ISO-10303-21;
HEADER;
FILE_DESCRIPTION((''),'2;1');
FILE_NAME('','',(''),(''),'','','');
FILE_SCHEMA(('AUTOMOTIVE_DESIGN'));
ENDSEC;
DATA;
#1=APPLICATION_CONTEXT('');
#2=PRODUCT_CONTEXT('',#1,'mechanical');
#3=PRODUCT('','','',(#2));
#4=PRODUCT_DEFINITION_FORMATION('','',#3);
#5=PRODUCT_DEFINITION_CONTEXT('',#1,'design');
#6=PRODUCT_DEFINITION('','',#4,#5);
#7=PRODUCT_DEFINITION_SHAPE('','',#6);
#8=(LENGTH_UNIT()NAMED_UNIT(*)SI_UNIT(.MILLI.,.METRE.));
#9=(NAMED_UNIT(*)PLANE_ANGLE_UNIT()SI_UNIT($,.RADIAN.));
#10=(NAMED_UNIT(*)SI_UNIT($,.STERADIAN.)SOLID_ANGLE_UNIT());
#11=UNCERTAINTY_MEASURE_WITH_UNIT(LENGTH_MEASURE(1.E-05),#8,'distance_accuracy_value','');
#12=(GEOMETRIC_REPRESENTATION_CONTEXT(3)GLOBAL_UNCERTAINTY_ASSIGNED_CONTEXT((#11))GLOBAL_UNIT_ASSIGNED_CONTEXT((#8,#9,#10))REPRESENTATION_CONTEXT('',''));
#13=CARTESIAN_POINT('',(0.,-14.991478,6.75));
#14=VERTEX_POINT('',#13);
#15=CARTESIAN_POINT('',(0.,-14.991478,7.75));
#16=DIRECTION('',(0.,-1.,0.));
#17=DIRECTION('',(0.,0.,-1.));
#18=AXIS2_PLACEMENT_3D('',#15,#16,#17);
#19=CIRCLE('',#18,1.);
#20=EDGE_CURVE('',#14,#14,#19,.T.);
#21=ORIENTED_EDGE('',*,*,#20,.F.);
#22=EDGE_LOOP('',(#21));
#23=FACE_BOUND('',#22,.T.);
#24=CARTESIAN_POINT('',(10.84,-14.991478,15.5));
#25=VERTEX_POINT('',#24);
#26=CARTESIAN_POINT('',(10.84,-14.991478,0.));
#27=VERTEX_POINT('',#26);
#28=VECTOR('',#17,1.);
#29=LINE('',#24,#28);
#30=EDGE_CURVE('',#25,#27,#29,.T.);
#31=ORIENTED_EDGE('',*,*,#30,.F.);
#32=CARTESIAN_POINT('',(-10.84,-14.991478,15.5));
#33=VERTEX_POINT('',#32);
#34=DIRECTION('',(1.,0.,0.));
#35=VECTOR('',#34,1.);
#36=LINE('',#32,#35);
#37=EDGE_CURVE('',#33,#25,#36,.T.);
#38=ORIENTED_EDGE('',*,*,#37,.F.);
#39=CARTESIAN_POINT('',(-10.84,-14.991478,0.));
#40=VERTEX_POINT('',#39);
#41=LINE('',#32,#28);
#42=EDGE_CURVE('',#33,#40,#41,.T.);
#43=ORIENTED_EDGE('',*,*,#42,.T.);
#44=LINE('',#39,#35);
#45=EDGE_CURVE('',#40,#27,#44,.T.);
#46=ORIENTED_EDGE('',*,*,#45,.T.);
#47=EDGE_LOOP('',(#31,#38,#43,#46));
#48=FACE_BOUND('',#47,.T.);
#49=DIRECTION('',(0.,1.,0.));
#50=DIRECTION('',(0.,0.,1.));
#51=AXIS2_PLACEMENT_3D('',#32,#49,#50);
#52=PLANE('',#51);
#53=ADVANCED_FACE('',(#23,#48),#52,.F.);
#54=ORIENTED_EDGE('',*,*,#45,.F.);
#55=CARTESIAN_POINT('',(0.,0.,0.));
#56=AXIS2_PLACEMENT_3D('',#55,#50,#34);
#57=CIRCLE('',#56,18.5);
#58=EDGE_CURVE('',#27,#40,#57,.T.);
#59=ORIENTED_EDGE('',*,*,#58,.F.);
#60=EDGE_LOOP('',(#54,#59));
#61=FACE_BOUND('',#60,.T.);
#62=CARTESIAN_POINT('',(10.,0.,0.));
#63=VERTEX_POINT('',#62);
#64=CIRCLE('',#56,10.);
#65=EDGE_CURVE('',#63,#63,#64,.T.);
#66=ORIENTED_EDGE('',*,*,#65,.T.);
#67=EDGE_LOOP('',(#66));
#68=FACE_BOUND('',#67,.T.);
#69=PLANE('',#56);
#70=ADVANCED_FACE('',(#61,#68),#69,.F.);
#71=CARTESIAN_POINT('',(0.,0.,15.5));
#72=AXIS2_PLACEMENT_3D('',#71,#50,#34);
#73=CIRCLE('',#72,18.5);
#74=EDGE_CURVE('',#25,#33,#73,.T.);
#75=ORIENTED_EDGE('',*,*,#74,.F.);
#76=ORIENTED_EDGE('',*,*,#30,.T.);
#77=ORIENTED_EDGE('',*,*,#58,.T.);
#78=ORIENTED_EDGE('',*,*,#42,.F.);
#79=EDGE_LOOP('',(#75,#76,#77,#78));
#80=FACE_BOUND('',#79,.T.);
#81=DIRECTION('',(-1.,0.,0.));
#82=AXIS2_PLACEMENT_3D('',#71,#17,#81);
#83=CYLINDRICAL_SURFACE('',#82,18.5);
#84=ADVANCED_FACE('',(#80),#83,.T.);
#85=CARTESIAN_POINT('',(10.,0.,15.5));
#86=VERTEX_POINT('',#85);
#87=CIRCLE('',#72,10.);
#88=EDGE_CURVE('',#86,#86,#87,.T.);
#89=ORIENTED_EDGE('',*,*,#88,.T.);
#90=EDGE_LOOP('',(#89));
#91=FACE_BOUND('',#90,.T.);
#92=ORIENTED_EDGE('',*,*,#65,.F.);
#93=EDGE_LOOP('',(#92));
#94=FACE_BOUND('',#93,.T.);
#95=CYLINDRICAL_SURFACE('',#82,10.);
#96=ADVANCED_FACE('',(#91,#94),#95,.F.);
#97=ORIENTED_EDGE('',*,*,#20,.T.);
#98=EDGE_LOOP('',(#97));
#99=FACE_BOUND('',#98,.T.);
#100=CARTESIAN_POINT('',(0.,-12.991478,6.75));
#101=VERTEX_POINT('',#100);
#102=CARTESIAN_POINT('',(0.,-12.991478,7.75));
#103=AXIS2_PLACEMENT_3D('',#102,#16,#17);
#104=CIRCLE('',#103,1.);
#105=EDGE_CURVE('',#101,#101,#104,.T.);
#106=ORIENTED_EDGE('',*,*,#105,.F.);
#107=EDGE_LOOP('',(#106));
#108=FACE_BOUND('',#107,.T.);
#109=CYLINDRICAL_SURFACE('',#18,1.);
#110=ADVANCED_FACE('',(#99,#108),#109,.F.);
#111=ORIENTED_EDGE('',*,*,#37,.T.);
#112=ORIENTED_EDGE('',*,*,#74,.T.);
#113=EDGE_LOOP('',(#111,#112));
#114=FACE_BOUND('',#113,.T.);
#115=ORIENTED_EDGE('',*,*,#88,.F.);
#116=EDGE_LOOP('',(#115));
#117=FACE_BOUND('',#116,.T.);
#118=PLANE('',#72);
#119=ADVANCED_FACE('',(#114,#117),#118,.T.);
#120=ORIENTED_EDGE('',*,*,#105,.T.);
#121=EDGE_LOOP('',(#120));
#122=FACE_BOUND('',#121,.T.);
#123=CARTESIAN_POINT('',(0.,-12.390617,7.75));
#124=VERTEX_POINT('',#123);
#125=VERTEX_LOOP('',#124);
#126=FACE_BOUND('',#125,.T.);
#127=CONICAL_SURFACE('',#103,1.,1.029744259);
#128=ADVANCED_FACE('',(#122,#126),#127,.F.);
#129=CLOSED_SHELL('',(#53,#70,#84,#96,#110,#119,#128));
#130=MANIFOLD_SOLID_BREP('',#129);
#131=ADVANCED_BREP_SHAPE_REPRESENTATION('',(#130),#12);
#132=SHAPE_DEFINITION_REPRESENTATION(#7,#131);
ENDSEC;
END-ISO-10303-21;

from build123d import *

# Parameters (mm, degrees)
SKETCH1_R                    = 10
BOSS_EXTRUDE1_DEPTH          = 15.5
F_2_0_2_DIAMETER_HOLE1_D     = 2
F_2_0_2_DIAMETER_HOLE1_DEPTH = 2
F_2_0_2_DIAMETER_HOLE1_TIP   = 0.600860619


with BuildPart() as part:
    # Sketch1 → Boss-Extrude1 (new body)
    with BuildSketch(Plane.XY):
        with BuildLine():
            Line((-10.84, -14.991477579), (10.84, -14.991477579))
            ThreePointArc((10.84, -14.991477579), (0, 18.5), (-10.84, -14.991477579))
        make_face()
        Circle(SKETCH1_R, mode=Mode.SUBTRACT)
    extrude(amount=BOSS_EXTRUDE1_DEPTH)

    # Ø2.0 (2) Diameter Hole1
    with Locations(Plane(origin=(0, -14.991477579, 0), x_dir=(-1, 0, 0), z_dir=(0, -1, 0))):
        with Locations((0, -7.75)):
            Hole(F_2_0_2_DIAMETER_HOLE1_D / 2, depth=F_2_0_2_DIAMETER_HOLE1_DEPTH)
            with Locations((0, 0, -(F_2_0_2_DIAMETER_HOLE1_DEPTH + F_2_0_2_DIAMETER_HOLE1_TIP / 2))):  # 118° drill point
                Cone(0, F_2_0_2_DIAMETER_HOLE1_D / 2, F_2_0_2_DIAMETER_HOLE1_TIP, mode=Mode.SUBTRACT)


solid = part.part
